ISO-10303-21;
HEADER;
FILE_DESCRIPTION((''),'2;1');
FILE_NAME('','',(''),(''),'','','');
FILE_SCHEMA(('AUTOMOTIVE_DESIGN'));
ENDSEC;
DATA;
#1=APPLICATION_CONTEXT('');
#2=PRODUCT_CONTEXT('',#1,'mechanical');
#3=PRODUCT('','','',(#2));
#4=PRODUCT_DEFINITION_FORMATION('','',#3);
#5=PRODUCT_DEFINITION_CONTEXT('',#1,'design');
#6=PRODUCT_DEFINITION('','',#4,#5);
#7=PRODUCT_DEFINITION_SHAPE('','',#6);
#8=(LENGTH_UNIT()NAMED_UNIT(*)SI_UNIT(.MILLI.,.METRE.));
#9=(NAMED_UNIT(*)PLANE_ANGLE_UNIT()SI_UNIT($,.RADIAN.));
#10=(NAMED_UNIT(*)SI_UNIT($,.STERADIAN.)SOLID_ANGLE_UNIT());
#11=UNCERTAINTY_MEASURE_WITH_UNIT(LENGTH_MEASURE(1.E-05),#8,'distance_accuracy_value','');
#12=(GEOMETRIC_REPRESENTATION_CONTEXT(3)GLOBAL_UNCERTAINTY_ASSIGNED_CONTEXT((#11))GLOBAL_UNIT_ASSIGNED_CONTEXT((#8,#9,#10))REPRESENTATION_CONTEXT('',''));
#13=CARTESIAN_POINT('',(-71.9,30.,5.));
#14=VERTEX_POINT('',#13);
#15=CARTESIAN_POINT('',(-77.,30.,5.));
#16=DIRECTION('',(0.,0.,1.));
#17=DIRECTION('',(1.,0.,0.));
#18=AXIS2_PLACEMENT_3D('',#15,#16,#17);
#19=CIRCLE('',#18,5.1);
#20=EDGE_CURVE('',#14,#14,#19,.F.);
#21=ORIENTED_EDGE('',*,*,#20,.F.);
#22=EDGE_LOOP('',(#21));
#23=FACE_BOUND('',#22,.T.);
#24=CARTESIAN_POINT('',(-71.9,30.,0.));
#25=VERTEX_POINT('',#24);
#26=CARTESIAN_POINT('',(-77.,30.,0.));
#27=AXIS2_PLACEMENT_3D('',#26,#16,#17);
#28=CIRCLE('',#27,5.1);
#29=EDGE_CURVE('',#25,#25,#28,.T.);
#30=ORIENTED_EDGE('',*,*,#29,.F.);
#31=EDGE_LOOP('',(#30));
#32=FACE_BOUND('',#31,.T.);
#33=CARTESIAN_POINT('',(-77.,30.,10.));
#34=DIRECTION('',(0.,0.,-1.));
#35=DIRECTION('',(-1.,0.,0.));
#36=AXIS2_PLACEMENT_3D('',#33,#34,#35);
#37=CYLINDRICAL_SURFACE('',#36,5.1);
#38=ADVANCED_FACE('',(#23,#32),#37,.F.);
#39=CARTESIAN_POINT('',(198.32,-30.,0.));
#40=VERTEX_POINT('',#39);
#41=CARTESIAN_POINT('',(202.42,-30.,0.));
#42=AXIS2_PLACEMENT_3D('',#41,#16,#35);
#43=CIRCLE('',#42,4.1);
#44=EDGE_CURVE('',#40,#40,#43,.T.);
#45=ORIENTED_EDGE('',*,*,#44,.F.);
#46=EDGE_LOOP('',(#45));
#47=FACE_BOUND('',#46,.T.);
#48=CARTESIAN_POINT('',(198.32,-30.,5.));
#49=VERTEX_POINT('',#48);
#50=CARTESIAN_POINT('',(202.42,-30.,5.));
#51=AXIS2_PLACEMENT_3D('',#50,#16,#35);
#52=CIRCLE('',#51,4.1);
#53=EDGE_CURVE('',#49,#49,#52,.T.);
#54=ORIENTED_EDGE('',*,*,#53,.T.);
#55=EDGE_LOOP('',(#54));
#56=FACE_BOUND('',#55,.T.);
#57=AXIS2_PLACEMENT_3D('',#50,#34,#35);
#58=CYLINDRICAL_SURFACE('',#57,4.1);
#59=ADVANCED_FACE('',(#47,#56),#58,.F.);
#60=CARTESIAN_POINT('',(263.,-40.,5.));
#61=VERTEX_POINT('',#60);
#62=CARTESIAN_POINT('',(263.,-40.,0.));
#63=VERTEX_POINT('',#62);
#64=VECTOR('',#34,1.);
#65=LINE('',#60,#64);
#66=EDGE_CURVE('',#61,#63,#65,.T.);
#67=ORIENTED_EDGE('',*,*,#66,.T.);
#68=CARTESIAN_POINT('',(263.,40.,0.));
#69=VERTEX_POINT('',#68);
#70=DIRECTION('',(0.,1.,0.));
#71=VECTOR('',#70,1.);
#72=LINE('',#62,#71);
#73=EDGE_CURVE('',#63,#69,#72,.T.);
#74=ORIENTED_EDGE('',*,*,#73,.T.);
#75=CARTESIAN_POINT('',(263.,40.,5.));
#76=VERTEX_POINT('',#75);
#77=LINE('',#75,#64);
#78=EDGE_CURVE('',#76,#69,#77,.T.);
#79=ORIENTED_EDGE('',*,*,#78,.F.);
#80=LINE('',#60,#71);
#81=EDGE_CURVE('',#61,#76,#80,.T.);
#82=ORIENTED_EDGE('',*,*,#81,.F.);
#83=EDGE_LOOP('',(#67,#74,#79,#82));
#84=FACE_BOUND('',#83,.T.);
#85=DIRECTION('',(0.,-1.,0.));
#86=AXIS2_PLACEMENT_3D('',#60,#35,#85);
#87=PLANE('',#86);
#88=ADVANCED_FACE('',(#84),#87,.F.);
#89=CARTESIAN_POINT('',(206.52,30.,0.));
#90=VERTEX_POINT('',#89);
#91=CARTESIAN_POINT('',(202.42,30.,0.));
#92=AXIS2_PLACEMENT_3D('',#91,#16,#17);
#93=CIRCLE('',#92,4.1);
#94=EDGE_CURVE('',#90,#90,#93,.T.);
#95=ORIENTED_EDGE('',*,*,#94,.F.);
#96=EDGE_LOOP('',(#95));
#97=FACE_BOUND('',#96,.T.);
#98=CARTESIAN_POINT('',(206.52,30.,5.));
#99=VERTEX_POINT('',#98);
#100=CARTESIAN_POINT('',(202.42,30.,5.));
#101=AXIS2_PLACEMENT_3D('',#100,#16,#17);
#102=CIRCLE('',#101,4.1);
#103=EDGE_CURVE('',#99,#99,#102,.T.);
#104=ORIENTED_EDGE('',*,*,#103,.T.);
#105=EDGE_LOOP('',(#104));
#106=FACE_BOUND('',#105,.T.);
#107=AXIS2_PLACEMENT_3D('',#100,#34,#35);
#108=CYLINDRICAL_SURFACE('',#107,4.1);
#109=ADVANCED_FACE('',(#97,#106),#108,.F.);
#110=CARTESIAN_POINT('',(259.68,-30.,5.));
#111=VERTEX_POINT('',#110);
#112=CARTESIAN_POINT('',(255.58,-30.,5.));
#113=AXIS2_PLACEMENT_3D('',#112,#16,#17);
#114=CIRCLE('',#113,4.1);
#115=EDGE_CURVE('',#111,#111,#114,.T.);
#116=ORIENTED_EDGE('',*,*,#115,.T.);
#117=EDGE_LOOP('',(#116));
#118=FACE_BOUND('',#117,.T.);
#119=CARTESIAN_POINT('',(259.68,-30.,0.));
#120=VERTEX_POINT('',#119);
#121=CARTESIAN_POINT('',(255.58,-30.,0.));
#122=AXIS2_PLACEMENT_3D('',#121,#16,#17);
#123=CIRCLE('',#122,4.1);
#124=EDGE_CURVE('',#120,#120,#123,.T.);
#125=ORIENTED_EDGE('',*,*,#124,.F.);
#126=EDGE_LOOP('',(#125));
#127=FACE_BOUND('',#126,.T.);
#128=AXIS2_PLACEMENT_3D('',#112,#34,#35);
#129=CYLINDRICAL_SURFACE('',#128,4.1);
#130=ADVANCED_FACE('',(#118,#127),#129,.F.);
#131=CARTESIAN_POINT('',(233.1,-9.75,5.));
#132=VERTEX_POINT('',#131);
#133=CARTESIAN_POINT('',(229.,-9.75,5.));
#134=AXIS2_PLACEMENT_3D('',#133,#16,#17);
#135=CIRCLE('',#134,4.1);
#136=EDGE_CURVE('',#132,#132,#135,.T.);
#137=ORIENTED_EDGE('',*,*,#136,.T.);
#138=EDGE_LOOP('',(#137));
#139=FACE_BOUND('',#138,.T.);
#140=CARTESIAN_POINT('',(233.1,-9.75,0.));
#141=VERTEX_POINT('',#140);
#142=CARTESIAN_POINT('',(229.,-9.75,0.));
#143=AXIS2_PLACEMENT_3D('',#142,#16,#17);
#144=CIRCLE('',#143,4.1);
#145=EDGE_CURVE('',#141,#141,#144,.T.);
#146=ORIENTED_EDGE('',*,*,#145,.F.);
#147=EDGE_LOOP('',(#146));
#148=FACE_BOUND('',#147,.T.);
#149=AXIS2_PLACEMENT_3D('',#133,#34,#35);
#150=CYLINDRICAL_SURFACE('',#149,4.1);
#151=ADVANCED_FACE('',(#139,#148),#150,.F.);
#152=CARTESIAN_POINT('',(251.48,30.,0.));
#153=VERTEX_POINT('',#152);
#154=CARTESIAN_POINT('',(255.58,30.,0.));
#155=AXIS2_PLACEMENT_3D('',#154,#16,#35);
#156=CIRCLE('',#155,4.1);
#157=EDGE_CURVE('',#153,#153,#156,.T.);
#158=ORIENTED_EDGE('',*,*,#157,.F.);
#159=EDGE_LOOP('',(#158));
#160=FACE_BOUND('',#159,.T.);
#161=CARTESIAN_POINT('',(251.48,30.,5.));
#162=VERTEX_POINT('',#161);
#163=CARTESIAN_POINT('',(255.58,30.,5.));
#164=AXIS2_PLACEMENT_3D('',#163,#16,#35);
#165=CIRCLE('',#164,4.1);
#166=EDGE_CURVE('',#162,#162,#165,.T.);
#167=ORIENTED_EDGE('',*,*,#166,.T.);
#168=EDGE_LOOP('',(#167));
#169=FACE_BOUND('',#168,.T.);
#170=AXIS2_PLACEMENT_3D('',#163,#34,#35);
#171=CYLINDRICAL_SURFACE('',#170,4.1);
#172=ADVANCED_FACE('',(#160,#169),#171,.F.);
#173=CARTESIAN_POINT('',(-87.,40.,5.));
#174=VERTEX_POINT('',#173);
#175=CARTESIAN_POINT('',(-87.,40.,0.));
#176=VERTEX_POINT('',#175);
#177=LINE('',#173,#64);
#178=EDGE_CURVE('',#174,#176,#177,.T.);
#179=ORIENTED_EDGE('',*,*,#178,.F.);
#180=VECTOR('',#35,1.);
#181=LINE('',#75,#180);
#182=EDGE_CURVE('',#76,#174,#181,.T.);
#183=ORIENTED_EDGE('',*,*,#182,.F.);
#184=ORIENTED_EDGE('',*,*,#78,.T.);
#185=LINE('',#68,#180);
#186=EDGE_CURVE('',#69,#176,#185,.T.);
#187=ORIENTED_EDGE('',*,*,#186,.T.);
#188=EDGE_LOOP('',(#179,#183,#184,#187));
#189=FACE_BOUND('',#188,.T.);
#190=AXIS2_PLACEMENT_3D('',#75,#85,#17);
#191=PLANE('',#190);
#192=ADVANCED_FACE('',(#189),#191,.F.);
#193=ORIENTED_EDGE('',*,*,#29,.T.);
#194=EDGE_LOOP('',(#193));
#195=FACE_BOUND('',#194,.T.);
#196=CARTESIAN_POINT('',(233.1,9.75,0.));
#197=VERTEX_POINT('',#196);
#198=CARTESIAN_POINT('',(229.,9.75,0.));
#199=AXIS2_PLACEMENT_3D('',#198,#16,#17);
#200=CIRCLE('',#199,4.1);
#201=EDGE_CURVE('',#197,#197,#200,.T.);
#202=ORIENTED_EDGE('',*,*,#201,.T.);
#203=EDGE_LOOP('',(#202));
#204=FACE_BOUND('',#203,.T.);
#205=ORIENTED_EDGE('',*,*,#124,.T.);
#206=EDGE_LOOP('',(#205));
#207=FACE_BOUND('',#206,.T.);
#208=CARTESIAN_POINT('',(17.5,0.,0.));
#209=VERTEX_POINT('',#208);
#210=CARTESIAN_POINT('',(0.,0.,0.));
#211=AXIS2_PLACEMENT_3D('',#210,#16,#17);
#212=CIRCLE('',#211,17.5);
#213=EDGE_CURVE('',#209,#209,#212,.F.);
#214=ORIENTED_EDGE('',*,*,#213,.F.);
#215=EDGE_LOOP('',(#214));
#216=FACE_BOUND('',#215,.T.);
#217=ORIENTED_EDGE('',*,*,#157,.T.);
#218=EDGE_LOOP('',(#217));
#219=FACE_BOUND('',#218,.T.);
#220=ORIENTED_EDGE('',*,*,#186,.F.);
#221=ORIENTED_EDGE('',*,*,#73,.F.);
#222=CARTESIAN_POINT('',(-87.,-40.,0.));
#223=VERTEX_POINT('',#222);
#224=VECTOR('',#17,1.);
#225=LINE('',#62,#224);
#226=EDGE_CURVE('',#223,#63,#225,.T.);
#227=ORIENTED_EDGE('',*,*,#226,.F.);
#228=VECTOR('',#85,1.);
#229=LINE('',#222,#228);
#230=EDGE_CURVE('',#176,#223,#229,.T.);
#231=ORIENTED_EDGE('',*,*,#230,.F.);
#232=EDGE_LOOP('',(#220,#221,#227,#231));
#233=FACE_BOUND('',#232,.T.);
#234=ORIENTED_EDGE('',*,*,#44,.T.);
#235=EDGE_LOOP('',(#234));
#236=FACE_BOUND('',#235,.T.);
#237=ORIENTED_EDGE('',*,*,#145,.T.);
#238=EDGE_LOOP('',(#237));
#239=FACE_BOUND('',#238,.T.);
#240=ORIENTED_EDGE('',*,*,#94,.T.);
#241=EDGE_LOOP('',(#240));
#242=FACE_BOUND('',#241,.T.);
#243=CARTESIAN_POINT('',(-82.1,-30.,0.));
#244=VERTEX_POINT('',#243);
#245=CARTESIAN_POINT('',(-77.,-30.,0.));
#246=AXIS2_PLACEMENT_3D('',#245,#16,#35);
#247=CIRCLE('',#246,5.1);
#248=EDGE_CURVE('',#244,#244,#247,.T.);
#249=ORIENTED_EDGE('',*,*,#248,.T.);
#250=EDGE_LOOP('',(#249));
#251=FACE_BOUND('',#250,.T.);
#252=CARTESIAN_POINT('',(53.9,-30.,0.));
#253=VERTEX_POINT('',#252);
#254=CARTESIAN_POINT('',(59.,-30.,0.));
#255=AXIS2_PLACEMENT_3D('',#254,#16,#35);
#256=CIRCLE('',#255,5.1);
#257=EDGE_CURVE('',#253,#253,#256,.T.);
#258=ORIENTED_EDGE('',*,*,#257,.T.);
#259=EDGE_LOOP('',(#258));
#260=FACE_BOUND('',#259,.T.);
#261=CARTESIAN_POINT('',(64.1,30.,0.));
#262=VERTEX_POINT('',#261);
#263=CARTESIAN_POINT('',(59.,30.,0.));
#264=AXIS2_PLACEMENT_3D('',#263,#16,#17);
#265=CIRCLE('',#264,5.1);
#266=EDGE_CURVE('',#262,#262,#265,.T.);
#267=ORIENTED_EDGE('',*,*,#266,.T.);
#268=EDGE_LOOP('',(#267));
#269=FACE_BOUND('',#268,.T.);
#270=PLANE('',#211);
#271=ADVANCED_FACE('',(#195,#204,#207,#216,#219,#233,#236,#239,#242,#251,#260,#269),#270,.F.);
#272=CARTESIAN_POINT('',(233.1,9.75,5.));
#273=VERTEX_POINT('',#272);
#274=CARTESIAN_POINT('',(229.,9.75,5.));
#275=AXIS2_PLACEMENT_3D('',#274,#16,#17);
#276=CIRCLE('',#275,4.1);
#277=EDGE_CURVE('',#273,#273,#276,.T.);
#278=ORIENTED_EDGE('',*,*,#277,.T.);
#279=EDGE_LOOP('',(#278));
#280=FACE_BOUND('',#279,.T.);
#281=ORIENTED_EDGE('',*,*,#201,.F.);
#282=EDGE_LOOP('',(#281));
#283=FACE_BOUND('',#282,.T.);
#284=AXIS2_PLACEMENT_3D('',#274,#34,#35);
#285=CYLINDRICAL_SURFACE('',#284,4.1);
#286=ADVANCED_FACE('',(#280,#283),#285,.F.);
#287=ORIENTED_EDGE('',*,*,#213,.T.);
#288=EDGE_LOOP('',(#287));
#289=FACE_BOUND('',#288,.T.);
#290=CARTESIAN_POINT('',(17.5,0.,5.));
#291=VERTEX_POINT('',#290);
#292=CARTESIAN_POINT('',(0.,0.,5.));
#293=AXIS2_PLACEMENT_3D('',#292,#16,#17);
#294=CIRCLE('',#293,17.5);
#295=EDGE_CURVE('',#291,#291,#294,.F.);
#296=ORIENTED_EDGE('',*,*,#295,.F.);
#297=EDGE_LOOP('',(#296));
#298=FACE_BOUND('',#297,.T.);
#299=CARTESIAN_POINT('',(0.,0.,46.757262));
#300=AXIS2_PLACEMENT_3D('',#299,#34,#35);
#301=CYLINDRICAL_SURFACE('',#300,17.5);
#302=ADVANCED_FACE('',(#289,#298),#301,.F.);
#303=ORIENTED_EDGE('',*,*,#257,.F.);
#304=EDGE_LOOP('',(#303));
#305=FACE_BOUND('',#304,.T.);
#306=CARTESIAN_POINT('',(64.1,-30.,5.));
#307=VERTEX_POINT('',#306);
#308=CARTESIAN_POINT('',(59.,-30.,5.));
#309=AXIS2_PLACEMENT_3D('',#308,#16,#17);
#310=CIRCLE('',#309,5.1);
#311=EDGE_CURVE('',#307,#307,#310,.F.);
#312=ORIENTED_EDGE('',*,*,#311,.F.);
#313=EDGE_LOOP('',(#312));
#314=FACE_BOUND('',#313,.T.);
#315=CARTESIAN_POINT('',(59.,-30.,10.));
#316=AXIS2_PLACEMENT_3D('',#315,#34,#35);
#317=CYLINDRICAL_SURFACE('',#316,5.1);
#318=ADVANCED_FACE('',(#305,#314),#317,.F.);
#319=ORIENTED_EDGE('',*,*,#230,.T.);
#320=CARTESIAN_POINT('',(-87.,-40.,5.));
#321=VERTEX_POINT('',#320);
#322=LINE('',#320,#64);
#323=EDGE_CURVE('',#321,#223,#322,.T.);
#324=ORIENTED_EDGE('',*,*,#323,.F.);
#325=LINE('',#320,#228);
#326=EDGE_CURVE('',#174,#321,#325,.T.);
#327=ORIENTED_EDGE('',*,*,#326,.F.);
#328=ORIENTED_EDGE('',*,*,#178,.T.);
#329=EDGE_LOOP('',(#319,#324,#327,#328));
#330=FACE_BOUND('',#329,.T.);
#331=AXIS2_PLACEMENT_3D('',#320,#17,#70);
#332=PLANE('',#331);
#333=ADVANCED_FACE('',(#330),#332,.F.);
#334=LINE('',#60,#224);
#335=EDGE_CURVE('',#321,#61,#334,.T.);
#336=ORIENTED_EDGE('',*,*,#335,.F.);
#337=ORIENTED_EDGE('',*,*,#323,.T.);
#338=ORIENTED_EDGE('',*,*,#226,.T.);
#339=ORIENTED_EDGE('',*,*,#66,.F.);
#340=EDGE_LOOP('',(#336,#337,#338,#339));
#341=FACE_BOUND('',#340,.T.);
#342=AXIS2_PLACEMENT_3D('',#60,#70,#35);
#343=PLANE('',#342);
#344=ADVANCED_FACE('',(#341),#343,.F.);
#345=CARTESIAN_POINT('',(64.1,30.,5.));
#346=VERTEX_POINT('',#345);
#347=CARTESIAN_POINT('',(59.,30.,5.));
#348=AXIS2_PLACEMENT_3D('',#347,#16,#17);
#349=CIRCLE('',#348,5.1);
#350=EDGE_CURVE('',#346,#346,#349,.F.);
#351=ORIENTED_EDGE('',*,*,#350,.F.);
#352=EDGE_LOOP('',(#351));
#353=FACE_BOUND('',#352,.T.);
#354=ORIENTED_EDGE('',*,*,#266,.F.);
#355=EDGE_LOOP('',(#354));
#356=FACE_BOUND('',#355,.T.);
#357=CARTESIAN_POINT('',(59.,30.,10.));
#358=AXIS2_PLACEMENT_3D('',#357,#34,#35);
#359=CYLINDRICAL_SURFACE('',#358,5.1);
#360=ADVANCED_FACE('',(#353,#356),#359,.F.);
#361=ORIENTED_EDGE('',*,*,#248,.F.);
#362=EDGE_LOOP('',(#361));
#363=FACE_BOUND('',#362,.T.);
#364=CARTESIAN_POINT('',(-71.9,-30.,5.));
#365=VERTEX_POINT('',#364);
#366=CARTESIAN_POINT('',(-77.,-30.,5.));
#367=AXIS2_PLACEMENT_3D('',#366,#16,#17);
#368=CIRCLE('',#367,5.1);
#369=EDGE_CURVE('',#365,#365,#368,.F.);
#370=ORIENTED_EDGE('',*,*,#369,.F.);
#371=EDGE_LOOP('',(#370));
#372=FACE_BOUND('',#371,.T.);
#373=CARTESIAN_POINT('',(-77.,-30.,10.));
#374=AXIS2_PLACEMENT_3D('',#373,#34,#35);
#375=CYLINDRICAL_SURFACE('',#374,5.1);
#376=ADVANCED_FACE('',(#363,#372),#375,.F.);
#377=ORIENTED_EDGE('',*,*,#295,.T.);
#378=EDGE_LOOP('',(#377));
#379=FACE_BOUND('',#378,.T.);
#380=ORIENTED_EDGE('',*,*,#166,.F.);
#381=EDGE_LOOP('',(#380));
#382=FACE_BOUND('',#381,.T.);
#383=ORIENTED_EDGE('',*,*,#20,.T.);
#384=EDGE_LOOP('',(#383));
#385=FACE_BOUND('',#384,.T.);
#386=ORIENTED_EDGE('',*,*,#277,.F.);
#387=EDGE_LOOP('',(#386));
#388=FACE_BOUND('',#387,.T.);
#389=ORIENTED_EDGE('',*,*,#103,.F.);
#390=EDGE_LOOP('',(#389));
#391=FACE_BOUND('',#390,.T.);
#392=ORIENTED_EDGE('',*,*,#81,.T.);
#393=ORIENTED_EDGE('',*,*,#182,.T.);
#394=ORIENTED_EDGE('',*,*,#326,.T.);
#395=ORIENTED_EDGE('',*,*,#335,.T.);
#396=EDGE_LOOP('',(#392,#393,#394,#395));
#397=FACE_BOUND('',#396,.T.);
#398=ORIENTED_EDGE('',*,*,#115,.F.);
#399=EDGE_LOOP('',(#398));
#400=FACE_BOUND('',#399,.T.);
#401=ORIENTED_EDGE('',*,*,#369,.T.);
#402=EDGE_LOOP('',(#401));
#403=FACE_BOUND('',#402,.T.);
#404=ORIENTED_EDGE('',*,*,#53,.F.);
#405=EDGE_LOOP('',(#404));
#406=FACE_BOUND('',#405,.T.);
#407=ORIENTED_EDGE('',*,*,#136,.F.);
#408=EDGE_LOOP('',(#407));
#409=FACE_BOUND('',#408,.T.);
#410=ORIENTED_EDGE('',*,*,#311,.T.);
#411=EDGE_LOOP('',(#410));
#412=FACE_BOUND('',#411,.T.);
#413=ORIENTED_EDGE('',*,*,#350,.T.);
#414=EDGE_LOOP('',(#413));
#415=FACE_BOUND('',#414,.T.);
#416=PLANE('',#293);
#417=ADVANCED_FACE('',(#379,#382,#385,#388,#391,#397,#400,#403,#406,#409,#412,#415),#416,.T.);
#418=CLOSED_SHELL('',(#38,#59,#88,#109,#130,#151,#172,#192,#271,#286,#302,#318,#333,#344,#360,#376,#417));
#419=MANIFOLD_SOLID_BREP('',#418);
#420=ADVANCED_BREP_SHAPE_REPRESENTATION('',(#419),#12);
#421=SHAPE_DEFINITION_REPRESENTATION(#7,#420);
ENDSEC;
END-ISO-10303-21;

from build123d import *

# Parameters (mm, degrees)
SKETCH1_W           = 350
SKETCH1_H           = 80
BOSS_EXTRUDE1_DEPTH = 5
SKETCH2_R           = 17.5
CUT_EXTRUDE1_DEPTH  = 60
SKETCH3_R           = 5.1
CUT_EXTRUDE2_DEPTH  = 10
SKETCH5_R           = 4.1
CUT_EXTRUDE3_DEPTH  = 267.071418984
SKETCH7_R           = 4.1
CUT_EXTRUDE5_DEPTH  = 267.071418984


with BuildPart() as part:
    # Sketch1 → Boss-Extrude1 (new body)
    with BuildSketch(Plane.XY):
        with Locations((88, 0)):
            Rectangle(SKETCH1_W, SKETCH1_H)
    extrude(amount=BOSS_EXTRUDE1_DEPTH)

    # Sketch2 → Cut-Extrude1 (cut)
    with BuildSketch(Plane(origin=(211.325798344, -35.262222233, -13.242737988), x_dir=(1, 0, 0), z_dir=(0, 0, 1))):
        with Locations((-211.325798344, 35.262222233)):
            Circle(SKETCH2_R)
    extrude(amount=CUT_EXTRUDE1_DEPTH, mode=Mode.SUBTRACT)

    # Sketch3 → Cut-Extrude2 (cut)
    with BuildSketch(Plane(origin=(20.819518943, -63.639721452, 0), x_dir=(1, 0, 0), z_dir=(0, 0, 1))):
        with Locations((-97.819518943, 93.639721452)):
            Circle(SKETCH3_R)
        with Locations(Location((38.180481057, 33.639721452, 0), (0, 0, 180))):
            Circle(SKETCH3_R)
        with Locations((38.180481057, 93.639721452)):
            Circle(SKETCH3_R)
        with Locations(Location((-97.819518943, 33.639721452, 0), (0, 0, 180))):
            Circle(SKETCH3_R)
    extrude(amount=CUT_EXTRUDE2_DEPTH, mode=Mode.SUBTRACT)

    # Sketch5 → Cut-Extrude3 (cut, through all)
    with BuildSketch(Plane.XY):
        with Locations((229, 9.75)):
            Circle(SKETCH5_R)
        with Locations((229, -9.75)):
            Circle(SKETCH5_R)
    extrude(amount=CUT_EXTRUDE3_DEPTH, mode=Mode.SUBTRACT)

    # Sketch7 → Cut-Extrude5 (cut, through all)
    with BuildSketch(Plane.XY):
        with Locations((202.42, 30)):
            Circle(SKETCH7_R)
        with Locations(Location((202.42, -30, 0), (0, 0, 180))):
            Circle(SKETCH7_R)
        with Locations((255.58, -30)):
            Circle(SKETCH7_R)
        with Locations(Location((255.58, 30, 0), (0, 0, 180))):
            Circle(SKETCH7_R)
    extrude(amount=CUT_EXTRUDE5_DEPTH, mode=Mode.SUBTRACT)


solid = part.part
